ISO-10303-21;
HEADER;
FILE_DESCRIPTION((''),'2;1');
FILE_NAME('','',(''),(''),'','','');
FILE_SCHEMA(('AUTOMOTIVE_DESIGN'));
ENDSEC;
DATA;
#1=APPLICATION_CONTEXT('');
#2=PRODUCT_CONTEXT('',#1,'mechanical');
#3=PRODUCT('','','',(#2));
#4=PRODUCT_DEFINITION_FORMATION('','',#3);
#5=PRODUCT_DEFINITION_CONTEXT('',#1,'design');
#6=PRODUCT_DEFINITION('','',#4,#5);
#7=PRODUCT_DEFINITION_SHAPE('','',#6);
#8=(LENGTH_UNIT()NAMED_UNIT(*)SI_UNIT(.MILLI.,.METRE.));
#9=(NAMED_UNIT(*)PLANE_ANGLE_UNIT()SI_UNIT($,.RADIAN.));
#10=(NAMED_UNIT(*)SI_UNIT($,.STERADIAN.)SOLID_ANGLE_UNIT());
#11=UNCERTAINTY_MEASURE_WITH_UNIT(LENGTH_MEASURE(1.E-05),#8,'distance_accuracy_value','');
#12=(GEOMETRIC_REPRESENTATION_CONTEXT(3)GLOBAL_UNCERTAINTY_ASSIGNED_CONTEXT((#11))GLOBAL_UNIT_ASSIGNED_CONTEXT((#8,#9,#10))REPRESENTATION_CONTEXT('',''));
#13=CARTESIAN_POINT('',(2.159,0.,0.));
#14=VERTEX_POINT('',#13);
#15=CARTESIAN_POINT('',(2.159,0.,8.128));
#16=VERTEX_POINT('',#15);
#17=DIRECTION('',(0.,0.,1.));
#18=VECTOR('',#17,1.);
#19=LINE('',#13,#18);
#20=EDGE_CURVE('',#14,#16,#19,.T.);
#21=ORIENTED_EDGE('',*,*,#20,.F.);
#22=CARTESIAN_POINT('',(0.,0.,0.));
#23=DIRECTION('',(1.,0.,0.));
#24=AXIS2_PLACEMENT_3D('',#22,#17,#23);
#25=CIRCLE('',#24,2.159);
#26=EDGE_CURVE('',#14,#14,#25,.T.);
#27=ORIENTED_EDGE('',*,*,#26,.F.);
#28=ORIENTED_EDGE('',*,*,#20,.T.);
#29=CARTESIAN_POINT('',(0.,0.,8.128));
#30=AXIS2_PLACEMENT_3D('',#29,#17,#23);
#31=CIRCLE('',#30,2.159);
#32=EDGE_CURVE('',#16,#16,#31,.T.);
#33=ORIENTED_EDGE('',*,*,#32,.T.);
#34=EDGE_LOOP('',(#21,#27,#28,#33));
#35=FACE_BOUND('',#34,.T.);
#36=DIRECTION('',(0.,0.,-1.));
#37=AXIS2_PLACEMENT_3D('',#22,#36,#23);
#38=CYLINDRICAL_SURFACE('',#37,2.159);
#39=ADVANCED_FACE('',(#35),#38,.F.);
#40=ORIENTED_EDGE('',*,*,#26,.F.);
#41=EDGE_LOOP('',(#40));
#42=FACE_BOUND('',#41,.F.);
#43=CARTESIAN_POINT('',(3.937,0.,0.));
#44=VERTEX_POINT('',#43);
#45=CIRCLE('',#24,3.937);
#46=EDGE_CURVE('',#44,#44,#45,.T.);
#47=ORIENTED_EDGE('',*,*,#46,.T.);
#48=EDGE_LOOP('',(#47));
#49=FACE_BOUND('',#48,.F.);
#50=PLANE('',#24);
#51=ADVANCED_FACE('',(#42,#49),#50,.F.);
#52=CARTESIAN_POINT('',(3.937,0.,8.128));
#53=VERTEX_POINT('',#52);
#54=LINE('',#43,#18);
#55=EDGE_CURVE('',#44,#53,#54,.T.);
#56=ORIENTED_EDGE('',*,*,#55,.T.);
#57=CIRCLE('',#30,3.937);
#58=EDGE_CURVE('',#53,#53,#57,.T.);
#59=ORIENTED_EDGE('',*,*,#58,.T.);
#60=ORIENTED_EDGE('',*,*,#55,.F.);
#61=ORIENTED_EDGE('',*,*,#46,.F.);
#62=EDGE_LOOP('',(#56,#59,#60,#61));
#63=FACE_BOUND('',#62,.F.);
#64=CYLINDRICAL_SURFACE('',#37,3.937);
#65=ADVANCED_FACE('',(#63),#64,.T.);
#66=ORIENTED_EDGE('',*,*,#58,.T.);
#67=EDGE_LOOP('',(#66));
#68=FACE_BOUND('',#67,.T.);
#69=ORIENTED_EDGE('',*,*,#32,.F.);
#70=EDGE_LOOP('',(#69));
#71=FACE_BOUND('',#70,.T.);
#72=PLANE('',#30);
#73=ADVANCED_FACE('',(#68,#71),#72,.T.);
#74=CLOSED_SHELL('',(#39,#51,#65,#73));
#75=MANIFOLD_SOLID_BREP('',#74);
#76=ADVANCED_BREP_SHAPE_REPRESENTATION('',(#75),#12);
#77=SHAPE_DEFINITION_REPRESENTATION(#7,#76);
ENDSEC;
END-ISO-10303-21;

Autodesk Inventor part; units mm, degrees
ref_plane "YZ Plane" through (0, 0, 0) normal (1, 0, 0) x (0, 1, 0)
ref_plane "XZ Plane" through (0, 0, 0) normal (0, 1, 0) x (-1, 0, 0)
ref_plane "XY Plane" through (0, 0, 0) normal (0, 0, 1) x (1, 0, 0)
sketch "Sketch1" plane through (0, 0, 0) normal (0, 0, 1) x (1, 0, 0)
  circle A0 centre (0, 0) radius 2.159
  circle A1 centre (0, 0) radius 3.937
  dimension "d0" = 4.318
  dimension "d1" = 1.778
extrude "Extrusion1" add sketch "Sketch1" along normal blind 8.128
